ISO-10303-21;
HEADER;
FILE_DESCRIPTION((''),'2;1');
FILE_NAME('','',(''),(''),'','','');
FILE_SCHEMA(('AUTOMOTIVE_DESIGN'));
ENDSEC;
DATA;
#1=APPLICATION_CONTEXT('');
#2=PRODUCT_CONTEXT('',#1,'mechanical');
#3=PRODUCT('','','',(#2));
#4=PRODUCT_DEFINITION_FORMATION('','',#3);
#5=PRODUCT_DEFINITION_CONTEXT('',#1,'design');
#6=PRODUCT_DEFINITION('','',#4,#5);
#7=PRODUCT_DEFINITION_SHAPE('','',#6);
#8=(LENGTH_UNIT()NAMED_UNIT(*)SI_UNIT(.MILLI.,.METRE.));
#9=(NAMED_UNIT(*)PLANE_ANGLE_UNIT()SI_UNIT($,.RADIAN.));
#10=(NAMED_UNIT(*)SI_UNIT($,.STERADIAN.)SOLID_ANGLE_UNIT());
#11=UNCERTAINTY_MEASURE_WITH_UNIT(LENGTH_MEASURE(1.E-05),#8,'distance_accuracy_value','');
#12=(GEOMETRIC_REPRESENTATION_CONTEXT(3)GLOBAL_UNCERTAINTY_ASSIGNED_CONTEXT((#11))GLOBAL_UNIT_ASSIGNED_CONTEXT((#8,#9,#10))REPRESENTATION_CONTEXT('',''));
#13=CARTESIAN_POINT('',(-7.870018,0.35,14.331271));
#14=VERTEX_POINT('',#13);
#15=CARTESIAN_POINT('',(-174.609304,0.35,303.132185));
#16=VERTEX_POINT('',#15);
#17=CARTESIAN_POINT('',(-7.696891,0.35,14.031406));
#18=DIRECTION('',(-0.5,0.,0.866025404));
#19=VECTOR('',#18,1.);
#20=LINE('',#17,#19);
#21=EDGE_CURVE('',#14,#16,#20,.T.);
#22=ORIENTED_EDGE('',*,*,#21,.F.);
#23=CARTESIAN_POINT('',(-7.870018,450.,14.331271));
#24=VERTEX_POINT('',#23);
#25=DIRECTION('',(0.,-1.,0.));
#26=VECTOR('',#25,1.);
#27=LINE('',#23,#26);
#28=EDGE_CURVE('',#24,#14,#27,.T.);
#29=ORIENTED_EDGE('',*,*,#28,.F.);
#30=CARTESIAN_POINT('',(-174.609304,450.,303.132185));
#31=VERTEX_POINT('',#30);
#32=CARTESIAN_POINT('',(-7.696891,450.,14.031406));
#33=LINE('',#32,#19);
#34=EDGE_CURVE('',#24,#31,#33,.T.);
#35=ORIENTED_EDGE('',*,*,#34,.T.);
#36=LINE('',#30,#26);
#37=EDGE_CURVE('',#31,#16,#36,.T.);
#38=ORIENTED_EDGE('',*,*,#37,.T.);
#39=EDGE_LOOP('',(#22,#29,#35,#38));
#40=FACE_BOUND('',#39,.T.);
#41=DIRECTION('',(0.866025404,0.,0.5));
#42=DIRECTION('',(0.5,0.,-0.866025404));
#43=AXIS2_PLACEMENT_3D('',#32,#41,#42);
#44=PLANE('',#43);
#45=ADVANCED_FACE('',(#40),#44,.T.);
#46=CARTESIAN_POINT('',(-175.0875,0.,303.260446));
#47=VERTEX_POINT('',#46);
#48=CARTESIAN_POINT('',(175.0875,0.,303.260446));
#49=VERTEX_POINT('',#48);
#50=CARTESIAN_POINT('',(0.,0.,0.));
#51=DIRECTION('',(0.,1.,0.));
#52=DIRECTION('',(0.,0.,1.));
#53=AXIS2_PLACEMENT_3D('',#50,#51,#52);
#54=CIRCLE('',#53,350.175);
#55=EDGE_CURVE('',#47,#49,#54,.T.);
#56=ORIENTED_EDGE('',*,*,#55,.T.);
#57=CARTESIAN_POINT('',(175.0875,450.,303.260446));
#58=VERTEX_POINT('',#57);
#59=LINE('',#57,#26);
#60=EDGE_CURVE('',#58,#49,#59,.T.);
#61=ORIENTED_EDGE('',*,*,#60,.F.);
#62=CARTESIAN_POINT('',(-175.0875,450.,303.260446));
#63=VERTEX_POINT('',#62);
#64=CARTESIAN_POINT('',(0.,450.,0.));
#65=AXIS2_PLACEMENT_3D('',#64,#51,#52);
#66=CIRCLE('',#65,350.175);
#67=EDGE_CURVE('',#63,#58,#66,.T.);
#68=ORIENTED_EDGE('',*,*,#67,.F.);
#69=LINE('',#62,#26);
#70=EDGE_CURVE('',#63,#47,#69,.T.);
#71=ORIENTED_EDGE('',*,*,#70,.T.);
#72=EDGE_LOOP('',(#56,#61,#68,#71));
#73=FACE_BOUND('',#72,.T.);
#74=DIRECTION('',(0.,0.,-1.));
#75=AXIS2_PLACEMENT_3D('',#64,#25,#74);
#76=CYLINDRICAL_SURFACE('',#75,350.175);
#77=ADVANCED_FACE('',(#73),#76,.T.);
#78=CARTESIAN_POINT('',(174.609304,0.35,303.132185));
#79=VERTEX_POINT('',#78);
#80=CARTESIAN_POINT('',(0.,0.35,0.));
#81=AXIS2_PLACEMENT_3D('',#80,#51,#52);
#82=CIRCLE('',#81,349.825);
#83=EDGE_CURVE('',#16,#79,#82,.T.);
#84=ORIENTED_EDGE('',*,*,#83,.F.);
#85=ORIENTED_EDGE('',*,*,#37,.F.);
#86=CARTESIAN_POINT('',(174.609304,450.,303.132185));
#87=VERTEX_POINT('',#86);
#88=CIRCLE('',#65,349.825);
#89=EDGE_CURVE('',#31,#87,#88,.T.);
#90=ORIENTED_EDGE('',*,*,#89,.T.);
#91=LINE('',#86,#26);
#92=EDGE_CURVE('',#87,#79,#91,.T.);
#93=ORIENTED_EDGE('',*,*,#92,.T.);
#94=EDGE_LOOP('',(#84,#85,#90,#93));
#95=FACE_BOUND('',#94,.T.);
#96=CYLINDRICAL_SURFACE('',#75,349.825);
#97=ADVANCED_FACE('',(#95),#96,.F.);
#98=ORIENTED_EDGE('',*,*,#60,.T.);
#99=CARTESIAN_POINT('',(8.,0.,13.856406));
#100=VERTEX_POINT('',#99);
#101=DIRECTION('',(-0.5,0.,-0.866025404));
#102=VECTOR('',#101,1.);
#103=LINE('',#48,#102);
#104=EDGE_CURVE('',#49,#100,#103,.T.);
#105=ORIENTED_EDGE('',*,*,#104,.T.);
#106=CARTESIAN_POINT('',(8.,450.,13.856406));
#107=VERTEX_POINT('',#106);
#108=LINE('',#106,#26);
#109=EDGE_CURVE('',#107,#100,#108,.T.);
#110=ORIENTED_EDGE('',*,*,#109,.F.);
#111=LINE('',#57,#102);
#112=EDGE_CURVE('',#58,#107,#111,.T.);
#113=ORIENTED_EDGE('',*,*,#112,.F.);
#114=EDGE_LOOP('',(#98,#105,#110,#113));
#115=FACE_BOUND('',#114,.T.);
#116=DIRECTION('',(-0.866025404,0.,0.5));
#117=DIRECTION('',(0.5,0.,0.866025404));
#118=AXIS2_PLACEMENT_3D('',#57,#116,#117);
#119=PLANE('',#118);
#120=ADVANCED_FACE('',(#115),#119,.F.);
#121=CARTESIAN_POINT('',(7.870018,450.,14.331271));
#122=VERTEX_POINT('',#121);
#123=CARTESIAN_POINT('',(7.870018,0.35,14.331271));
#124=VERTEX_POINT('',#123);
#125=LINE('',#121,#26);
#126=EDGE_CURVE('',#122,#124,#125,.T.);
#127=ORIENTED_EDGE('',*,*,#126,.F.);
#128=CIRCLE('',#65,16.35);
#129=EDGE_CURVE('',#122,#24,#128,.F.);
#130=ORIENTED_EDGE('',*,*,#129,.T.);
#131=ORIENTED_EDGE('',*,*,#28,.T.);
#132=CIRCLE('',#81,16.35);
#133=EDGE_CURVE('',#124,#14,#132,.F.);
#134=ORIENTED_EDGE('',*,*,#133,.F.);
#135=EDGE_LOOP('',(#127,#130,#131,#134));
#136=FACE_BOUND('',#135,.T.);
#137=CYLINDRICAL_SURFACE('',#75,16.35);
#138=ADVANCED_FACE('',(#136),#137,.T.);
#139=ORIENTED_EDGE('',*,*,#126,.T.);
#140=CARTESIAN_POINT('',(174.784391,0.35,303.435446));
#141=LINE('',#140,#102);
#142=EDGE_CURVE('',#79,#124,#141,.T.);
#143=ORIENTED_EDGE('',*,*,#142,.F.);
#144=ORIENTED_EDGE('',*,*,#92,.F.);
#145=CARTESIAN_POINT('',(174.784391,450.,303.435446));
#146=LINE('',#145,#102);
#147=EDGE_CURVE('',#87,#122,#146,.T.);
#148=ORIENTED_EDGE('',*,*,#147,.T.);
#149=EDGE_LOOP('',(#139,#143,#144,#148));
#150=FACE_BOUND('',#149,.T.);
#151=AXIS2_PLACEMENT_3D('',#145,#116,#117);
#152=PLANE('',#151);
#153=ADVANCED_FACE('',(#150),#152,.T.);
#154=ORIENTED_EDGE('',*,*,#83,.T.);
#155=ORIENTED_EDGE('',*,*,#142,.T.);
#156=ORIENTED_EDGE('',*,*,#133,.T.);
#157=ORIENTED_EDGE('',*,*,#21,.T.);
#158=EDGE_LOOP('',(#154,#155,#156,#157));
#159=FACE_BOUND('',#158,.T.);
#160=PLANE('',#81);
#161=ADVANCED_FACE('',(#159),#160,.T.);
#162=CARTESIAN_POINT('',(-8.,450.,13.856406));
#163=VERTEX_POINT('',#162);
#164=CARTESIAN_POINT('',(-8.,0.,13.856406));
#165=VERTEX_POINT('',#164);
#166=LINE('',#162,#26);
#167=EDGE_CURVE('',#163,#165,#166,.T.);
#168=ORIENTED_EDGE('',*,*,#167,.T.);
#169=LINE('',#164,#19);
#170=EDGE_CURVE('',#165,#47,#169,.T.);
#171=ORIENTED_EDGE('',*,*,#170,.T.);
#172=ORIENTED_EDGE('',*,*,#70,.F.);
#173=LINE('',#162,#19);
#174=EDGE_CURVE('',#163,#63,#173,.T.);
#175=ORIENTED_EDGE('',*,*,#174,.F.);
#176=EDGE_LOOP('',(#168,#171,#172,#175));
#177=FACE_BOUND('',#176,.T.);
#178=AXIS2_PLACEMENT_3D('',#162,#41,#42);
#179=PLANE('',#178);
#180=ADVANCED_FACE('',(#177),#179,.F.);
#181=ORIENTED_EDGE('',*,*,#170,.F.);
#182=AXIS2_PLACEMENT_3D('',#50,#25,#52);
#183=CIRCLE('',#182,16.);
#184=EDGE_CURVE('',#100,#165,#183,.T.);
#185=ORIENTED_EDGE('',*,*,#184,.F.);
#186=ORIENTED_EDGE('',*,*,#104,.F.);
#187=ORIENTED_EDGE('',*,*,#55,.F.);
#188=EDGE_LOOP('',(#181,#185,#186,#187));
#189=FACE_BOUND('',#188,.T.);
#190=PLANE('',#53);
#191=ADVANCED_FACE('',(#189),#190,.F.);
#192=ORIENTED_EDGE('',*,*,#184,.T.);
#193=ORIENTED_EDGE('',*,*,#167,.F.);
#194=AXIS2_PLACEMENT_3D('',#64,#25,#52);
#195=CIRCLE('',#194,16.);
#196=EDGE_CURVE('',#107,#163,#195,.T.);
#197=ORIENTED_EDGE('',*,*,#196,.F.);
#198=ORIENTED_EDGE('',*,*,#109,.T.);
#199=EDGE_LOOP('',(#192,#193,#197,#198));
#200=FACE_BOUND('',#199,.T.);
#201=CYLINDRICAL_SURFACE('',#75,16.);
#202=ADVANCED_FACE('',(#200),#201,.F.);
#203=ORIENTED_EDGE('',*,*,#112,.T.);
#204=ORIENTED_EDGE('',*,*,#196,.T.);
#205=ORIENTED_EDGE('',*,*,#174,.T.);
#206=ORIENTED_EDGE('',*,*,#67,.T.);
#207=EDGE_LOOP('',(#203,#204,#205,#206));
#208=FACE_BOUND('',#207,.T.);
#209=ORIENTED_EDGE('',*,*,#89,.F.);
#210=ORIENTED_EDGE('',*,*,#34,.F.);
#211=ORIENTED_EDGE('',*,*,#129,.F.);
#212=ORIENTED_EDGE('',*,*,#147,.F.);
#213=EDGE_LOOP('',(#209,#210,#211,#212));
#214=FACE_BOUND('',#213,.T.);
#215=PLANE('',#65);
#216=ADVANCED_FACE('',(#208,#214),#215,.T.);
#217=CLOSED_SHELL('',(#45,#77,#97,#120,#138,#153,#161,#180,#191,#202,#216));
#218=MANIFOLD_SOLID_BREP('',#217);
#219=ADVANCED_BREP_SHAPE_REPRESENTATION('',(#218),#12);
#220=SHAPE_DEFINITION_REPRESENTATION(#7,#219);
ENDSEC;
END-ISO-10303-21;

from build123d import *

# Parameters (mm, degrees)
BOSS_EXTRUDE1_DEPTH = 450
SHELL1_T            = -0.35


with BuildPart() as part:
    # Sketch1 → Boss-Extrude1 (new body)
    with BuildSketch(Plane(origin=(0, 0, 0), x_dir=(1, 0, 0), z_dir=(0, 1, 0))):
        with BuildLine():
            Line((-8, -13.856406461), (-175.0875, -303.26044577))
            ThreePointArc((-175.0875, -303.26044577), (0, -350.175), (175.0875, -303.26044577))
            Line((175.0875, -303.26044577), (8, -13.856406461))
            ThreePointArc((8, -13.856406461), (0, -16), (-8, -13.856406461))
        make_face()
    extrude(amount=BOSS_EXTRUDE1_DEPTH)

    # Shell1
    shell1_openings = [part.faces().sort_by_distance(p)[0] for p in [
        (0, 450, 170.822963058),
    ]]
    offset(amount=SHELL1_T, openings=shell1_openings, kind=Kind.INTERSECTION)


solid = part.part
